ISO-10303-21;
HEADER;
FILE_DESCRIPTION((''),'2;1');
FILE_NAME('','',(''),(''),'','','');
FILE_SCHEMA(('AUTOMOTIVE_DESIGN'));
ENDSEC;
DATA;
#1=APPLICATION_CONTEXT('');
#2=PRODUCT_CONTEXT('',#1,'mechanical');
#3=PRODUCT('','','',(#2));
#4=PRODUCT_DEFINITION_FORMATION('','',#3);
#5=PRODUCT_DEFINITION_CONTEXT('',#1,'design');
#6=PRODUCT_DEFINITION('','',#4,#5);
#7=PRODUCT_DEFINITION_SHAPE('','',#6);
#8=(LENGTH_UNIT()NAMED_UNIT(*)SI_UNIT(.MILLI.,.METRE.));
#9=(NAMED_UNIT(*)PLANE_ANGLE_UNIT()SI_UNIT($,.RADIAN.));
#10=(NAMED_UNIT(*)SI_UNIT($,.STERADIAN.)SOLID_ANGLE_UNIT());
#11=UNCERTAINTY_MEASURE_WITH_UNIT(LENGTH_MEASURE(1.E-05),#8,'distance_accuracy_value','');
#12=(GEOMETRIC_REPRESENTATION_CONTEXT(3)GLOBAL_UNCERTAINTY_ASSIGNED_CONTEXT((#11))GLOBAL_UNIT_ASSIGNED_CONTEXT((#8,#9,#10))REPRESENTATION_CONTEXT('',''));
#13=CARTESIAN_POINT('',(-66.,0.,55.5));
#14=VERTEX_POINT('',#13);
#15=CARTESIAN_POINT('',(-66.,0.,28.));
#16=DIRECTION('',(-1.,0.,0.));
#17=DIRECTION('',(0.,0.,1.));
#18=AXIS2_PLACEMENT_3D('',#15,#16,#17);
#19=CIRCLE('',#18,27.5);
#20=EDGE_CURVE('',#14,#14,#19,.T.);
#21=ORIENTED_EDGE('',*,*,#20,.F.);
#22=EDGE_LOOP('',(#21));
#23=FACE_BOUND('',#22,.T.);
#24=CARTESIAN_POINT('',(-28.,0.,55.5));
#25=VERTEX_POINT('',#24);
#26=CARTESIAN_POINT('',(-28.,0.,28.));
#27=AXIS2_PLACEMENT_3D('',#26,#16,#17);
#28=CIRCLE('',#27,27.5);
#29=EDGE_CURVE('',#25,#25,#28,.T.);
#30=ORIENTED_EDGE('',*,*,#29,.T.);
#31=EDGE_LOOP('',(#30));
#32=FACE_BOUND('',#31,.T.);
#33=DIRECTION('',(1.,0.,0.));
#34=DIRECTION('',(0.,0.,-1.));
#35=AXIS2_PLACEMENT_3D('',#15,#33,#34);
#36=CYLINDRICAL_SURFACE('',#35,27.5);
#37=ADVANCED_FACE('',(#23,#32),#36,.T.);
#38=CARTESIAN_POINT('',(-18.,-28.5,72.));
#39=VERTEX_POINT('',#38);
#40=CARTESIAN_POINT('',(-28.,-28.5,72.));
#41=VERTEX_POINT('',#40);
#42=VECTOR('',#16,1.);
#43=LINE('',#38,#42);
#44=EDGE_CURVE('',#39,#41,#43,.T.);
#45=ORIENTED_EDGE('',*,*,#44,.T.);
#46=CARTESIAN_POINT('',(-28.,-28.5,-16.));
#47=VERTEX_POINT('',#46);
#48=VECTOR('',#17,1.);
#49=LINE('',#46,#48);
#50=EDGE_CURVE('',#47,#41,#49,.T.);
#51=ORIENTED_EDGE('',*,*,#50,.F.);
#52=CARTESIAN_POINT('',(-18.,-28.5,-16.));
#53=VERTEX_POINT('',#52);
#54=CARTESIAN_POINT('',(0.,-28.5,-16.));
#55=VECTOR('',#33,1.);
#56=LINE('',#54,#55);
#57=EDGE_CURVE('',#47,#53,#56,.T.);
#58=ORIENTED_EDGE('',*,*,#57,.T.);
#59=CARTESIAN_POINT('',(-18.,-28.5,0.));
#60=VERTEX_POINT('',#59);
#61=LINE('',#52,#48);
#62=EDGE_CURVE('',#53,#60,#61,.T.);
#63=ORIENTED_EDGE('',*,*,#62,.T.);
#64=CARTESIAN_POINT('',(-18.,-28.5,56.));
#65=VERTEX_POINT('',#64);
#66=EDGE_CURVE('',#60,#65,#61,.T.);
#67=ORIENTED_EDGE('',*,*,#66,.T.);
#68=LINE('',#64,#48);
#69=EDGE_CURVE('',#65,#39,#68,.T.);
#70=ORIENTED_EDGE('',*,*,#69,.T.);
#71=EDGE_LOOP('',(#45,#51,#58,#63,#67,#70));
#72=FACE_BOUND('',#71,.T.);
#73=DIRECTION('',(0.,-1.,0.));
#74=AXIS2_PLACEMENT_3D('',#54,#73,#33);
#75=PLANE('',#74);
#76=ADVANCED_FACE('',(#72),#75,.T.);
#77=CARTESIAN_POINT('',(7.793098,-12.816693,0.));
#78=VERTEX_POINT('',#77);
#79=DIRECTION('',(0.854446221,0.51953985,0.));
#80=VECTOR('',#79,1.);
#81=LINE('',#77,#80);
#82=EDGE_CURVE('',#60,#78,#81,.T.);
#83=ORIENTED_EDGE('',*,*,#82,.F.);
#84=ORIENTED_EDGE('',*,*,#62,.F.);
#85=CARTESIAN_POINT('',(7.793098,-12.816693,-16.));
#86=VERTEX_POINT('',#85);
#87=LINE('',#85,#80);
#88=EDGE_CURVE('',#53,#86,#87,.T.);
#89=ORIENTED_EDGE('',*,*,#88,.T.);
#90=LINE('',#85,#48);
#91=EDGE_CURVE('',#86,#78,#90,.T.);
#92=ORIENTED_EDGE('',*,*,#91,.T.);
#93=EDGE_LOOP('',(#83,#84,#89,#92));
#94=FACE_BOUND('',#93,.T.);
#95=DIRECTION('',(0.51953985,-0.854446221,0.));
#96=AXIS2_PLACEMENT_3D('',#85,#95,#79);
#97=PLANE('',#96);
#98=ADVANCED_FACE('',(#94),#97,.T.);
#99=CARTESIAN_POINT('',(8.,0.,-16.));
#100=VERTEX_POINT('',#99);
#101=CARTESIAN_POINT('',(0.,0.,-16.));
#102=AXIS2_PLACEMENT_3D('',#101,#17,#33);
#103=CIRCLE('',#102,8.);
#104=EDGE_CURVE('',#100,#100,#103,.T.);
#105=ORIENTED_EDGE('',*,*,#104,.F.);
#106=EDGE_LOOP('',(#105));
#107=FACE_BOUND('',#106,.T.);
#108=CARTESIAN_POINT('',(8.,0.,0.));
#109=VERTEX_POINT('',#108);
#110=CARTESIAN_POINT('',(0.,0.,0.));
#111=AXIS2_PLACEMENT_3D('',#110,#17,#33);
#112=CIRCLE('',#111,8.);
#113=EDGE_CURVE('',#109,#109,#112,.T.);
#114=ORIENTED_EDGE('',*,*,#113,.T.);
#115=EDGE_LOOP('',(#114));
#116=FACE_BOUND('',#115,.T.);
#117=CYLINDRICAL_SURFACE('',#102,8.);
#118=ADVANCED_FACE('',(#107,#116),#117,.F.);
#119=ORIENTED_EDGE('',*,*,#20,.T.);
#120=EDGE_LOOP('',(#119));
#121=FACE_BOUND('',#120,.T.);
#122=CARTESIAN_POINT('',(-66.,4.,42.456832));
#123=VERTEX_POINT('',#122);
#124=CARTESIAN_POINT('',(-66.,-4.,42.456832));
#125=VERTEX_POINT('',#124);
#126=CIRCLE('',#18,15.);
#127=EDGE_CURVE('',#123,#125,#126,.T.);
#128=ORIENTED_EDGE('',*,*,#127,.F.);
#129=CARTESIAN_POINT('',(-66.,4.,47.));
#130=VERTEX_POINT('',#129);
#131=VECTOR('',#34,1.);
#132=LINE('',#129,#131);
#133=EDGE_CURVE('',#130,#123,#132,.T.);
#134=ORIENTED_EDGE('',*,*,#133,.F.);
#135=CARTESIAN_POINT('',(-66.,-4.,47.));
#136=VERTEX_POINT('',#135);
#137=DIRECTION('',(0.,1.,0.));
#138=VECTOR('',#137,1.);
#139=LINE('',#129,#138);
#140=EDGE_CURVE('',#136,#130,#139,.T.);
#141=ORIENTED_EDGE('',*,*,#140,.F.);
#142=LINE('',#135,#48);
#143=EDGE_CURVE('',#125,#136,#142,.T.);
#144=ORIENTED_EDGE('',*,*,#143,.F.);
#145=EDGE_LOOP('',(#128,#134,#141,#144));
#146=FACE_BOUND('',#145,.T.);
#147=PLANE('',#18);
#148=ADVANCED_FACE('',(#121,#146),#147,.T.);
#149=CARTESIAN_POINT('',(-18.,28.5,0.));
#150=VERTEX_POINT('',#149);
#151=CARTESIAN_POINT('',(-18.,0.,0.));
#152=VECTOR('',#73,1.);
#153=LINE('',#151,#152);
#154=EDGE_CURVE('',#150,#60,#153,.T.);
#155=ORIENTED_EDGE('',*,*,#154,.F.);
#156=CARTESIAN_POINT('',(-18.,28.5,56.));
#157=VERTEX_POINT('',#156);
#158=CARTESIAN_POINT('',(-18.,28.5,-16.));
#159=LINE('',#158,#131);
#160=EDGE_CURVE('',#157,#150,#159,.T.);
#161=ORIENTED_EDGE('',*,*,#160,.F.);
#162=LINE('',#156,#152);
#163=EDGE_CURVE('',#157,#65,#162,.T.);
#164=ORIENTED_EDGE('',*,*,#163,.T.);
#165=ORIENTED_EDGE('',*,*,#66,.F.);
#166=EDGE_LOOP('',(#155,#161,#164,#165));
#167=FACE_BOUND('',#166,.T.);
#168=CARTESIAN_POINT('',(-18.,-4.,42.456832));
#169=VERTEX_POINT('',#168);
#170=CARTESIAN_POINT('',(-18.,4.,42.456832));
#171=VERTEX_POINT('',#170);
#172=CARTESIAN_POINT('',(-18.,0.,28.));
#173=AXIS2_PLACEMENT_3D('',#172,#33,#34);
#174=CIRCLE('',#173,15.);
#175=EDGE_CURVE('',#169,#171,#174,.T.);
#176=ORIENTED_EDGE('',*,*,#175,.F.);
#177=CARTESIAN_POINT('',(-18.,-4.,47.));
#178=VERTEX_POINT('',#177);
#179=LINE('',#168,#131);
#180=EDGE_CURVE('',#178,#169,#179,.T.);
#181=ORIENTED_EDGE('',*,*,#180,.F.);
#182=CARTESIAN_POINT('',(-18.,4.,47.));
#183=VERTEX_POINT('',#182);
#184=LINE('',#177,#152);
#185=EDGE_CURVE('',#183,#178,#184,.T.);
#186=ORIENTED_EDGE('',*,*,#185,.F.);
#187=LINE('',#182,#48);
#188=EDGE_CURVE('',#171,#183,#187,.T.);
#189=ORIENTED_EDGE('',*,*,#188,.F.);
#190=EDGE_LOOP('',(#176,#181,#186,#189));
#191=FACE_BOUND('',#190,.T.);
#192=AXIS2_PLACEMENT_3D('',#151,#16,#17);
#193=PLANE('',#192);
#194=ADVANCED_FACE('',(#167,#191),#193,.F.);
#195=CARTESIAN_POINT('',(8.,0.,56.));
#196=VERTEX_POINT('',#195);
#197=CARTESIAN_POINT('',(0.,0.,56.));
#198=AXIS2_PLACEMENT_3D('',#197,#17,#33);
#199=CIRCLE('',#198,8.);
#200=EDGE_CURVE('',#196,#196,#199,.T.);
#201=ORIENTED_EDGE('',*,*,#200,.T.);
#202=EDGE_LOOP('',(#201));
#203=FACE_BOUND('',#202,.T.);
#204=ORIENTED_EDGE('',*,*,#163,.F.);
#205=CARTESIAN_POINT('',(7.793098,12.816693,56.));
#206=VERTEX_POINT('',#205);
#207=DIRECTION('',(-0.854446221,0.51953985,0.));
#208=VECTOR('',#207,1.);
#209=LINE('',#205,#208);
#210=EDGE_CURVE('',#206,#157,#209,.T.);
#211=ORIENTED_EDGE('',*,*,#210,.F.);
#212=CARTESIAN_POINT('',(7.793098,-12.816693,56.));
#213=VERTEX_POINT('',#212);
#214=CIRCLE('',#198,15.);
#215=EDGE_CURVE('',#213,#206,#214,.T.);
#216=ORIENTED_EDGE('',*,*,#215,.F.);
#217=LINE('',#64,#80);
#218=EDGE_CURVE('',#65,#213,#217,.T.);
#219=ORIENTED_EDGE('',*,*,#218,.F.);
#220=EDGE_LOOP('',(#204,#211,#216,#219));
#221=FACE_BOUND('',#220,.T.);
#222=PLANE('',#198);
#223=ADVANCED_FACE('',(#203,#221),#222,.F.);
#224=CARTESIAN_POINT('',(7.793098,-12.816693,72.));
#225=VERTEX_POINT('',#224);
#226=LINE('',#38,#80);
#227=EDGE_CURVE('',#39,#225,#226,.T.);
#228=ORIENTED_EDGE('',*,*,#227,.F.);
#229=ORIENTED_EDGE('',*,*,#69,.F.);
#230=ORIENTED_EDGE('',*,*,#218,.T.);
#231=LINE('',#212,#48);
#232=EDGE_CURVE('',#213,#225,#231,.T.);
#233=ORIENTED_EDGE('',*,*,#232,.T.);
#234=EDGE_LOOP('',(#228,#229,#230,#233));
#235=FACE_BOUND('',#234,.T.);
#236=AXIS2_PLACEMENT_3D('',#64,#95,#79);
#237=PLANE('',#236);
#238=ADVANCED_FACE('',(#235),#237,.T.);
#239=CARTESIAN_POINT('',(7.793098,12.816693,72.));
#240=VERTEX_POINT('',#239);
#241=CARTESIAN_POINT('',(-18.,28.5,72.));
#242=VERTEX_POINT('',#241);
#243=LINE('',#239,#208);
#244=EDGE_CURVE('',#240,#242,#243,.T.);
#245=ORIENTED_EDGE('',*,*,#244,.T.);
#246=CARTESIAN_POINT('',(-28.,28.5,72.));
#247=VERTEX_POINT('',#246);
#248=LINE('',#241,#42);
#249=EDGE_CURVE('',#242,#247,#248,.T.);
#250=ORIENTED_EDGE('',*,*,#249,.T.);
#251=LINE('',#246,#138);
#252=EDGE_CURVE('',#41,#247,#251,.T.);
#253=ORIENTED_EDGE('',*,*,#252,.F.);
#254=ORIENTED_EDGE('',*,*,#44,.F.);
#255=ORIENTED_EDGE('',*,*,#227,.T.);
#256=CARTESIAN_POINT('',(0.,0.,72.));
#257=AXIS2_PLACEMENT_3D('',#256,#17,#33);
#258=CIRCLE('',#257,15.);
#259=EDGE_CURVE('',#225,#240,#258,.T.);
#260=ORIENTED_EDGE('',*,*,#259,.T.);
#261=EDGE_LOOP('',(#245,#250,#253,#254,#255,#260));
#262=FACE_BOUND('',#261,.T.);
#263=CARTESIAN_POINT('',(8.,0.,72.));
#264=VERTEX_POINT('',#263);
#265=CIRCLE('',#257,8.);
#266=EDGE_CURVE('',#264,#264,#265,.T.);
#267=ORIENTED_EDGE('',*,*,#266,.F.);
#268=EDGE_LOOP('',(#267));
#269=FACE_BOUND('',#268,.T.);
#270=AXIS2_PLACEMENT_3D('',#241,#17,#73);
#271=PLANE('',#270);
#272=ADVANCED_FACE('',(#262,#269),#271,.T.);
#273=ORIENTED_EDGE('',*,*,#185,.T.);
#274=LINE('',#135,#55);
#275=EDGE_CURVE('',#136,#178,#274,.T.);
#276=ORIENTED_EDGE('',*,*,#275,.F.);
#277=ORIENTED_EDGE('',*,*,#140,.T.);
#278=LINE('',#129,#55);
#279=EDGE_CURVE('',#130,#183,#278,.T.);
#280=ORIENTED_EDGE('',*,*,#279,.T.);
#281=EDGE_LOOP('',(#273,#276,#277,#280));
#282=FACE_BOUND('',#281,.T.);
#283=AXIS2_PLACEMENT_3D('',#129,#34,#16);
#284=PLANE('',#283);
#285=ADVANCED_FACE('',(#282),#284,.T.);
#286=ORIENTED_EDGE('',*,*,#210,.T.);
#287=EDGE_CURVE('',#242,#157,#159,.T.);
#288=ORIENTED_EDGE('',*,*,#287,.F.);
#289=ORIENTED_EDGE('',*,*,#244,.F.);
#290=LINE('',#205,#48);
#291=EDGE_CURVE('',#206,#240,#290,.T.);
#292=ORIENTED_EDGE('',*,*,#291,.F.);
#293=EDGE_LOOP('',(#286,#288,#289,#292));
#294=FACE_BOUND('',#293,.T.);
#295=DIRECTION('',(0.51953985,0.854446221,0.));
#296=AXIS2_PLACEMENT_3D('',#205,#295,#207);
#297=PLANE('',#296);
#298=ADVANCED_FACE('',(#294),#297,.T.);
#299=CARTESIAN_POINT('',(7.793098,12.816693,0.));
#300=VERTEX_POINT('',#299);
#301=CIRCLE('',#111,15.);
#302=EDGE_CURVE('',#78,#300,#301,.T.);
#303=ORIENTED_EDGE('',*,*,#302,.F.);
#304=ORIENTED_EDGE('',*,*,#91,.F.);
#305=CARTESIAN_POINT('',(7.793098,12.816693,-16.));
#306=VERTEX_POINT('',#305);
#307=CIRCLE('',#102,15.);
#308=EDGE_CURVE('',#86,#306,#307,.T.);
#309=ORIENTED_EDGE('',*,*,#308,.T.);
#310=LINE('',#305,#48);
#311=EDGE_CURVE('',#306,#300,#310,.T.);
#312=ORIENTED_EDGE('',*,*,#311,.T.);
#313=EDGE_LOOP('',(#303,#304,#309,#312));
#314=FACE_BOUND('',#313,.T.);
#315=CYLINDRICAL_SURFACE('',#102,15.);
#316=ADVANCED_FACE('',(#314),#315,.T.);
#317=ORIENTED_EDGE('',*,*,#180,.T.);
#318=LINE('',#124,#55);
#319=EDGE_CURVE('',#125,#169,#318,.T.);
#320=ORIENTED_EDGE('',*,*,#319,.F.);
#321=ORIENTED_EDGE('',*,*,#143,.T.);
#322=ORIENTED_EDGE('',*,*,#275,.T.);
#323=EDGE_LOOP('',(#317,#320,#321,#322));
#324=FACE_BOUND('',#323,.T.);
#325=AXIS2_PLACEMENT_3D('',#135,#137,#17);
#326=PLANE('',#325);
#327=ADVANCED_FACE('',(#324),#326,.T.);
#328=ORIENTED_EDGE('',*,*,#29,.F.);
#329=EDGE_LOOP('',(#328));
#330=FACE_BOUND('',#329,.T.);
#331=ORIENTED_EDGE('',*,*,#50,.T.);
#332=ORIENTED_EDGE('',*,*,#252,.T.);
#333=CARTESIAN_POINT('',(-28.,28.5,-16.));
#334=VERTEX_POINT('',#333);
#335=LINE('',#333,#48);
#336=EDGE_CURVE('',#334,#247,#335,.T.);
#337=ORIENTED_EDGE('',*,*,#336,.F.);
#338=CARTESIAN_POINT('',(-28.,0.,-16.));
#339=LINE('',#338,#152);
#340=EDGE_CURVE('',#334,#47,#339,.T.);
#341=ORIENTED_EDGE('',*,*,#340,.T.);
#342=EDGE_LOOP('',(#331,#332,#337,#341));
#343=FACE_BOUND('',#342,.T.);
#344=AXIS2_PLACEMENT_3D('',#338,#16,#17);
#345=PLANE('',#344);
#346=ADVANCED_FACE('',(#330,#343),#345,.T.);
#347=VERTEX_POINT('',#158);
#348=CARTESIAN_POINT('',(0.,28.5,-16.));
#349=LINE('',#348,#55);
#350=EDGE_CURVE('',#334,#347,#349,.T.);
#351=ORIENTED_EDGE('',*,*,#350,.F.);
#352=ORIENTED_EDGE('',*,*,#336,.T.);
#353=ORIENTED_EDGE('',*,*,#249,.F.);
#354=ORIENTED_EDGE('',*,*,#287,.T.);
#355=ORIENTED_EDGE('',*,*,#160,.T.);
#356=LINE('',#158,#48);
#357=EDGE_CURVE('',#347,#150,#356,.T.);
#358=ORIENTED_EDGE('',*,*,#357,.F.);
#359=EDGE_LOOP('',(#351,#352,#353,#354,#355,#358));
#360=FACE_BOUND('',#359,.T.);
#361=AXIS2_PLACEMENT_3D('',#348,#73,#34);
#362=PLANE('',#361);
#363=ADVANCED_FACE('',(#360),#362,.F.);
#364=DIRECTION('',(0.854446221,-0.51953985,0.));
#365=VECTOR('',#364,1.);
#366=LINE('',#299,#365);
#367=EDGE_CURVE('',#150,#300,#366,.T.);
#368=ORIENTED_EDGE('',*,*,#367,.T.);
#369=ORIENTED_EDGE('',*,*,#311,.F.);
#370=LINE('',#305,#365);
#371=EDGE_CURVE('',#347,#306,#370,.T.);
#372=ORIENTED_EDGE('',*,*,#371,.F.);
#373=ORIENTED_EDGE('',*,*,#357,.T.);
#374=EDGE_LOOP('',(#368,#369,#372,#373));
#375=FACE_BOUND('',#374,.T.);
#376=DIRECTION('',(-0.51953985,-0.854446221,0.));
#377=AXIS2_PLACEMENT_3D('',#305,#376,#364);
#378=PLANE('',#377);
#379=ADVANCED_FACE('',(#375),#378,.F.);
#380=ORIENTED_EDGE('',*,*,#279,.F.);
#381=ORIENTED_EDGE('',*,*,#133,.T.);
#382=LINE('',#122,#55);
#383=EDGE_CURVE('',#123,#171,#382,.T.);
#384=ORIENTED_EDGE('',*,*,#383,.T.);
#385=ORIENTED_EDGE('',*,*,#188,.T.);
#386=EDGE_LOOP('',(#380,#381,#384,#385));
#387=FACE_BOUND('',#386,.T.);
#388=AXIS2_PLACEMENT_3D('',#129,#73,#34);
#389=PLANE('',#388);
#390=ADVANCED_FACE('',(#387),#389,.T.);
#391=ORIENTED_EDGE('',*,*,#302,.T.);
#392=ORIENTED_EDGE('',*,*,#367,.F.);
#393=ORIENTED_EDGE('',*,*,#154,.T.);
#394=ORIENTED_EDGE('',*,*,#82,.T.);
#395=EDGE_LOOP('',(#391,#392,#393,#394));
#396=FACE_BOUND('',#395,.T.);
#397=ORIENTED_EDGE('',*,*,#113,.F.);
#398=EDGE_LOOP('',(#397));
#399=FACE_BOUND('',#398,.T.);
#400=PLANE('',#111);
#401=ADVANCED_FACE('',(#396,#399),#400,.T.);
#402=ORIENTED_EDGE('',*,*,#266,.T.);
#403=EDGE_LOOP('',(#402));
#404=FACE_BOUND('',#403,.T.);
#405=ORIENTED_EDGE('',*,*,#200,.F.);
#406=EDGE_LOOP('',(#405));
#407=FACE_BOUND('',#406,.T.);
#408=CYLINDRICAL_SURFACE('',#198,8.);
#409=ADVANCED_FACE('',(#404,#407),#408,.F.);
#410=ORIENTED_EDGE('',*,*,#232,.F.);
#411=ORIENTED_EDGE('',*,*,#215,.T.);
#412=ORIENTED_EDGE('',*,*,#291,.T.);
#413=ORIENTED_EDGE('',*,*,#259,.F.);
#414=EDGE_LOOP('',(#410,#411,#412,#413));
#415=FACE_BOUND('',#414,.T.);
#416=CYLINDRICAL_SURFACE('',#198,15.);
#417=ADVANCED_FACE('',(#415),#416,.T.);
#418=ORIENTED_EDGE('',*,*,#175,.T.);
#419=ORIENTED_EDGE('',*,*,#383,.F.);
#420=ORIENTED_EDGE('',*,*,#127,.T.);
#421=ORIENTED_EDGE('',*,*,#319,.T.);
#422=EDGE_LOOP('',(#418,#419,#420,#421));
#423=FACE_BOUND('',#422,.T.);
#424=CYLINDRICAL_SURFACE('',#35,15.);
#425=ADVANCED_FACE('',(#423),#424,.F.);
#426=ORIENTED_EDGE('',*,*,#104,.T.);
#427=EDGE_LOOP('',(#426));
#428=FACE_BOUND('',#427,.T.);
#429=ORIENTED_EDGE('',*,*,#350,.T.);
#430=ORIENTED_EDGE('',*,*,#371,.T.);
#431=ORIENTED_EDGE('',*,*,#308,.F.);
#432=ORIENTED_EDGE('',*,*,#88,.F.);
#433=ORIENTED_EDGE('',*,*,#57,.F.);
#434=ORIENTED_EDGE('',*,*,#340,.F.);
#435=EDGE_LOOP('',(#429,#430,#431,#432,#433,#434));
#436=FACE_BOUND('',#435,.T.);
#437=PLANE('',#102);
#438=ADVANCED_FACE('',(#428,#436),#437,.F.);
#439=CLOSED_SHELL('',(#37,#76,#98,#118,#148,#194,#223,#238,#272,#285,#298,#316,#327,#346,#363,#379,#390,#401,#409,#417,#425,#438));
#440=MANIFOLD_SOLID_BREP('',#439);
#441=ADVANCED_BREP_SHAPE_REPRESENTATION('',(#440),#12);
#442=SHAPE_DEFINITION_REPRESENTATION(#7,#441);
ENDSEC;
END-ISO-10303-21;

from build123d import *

# Parameters (mm, degrees)
SKETCH1_R           = 8
BOSS_EXTRUDE1_DEPTH = 16
SKETCH2_W           = 88
SKETCH2_H           = 57
BOSS_EXTRUDE2_DEPTH = 10
SKETCH3_R           = 8
BOSS_EXTRUDE3_DEPTH = 16
SKETCH4_R           = 27.5
BOSS_EXTRUDE4_DEPTH = 38
CUT_EXTRUDE2_DEPTH  = 92.105707834


with BuildPart() as part:
    # Sketch1 → Boss-Extrude1 (new body)
    with BuildSketch(Plane.XY):
        with BuildLine():
            Line((-28, 28.5), (-28, -28.5))
            Line((-28, -28.5), (-18, -28.5))
            Line((-18, -28.5), (7.793097747, -12.816693314))
            ThreePointArc((7.793097747, -12.816693314), (15, 0), (7.793097747, 12.816693314))
            Line((7.793097747, 12.816693314), (-18, 28.5))
            Line((-18, 28.5), (-28, 28.5))
        make_face()
        Circle(SKETCH1_R, mode=Mode.SUBTRACT)
    extrude(amount=-BOSS_EXTRUDE1_DEPTH)

    # Sketch2 → Boss-Extrude2 (add)
    with BuildSketch(Plane.ZY.offset(28)):
        with Locations((28, 0)):
            Rectangle(SKETCH2_W, SKETCH2_H)
    extrude(amount=-BOSS_EXTRUDE2_DEPTH)

    # Sketch3 → Boss-Extrude3 (add)
    with BuildSketch(Plane.XY.offset(72)):
        with BuildLine():
            Line((7.793097747, 12.816693314), (-18, 28.5))
            Line((-18, 28.5), (-18, -28.5))
            Line((-18, -28.5), (7.793097747, -12.816693314))
            ThreePointArc((7.793097747, -12.816693314), (15, 0), (7.793097747, 12.816693314))
        make_face()
        Circle(SKETCH3_R, mode=Mode.SUBTRACT)
    extrude(amount=-BOSS_EXTRUDE3_DEPTH)

    # Sketch4 → Boss-Extrude4 (add)
    with BuildSketch(Plane.ZY.offset(28)):
        with Locations((28, 0)):
            Circle(SKETCH4_R)
        with BuildLine():
            Line((47, 4), (47, -4))
            Line((47, -4), (42.456832295, -4))
            ThreePointArc((42.456832295, -4), (13, 0), (42.456832295, 4))
            Line((42.456832295, 4), (47, 4))
        make_face(mode=Mode.SUBTRACT)
    extrude(amount=BOSS_EXTRUDE4_DEPTH)

    # Sketch5 → Cut-Extrude2 (cut, through all)
    with BuildSketch(Plane(origin=(-18, 0, 0), x_dir=(0, 0, -1), z_dir=(1, 0, 0))):
        with BuildLine():
            Line((-47, -4), (-47, 4))
            Line((-47, 4), (-42.456832295, 4))
            ThreePointArc((-42.456832295, 4), (-13, 0), (-42.456832295, -4))
            Line((-42.456832295, -4), (-47, -4))
        make_face()
    extrude(amount=-CUT_EXTRUDE2_DEPTH, mode=Mode.SUBTRACT)


solid = part.part
